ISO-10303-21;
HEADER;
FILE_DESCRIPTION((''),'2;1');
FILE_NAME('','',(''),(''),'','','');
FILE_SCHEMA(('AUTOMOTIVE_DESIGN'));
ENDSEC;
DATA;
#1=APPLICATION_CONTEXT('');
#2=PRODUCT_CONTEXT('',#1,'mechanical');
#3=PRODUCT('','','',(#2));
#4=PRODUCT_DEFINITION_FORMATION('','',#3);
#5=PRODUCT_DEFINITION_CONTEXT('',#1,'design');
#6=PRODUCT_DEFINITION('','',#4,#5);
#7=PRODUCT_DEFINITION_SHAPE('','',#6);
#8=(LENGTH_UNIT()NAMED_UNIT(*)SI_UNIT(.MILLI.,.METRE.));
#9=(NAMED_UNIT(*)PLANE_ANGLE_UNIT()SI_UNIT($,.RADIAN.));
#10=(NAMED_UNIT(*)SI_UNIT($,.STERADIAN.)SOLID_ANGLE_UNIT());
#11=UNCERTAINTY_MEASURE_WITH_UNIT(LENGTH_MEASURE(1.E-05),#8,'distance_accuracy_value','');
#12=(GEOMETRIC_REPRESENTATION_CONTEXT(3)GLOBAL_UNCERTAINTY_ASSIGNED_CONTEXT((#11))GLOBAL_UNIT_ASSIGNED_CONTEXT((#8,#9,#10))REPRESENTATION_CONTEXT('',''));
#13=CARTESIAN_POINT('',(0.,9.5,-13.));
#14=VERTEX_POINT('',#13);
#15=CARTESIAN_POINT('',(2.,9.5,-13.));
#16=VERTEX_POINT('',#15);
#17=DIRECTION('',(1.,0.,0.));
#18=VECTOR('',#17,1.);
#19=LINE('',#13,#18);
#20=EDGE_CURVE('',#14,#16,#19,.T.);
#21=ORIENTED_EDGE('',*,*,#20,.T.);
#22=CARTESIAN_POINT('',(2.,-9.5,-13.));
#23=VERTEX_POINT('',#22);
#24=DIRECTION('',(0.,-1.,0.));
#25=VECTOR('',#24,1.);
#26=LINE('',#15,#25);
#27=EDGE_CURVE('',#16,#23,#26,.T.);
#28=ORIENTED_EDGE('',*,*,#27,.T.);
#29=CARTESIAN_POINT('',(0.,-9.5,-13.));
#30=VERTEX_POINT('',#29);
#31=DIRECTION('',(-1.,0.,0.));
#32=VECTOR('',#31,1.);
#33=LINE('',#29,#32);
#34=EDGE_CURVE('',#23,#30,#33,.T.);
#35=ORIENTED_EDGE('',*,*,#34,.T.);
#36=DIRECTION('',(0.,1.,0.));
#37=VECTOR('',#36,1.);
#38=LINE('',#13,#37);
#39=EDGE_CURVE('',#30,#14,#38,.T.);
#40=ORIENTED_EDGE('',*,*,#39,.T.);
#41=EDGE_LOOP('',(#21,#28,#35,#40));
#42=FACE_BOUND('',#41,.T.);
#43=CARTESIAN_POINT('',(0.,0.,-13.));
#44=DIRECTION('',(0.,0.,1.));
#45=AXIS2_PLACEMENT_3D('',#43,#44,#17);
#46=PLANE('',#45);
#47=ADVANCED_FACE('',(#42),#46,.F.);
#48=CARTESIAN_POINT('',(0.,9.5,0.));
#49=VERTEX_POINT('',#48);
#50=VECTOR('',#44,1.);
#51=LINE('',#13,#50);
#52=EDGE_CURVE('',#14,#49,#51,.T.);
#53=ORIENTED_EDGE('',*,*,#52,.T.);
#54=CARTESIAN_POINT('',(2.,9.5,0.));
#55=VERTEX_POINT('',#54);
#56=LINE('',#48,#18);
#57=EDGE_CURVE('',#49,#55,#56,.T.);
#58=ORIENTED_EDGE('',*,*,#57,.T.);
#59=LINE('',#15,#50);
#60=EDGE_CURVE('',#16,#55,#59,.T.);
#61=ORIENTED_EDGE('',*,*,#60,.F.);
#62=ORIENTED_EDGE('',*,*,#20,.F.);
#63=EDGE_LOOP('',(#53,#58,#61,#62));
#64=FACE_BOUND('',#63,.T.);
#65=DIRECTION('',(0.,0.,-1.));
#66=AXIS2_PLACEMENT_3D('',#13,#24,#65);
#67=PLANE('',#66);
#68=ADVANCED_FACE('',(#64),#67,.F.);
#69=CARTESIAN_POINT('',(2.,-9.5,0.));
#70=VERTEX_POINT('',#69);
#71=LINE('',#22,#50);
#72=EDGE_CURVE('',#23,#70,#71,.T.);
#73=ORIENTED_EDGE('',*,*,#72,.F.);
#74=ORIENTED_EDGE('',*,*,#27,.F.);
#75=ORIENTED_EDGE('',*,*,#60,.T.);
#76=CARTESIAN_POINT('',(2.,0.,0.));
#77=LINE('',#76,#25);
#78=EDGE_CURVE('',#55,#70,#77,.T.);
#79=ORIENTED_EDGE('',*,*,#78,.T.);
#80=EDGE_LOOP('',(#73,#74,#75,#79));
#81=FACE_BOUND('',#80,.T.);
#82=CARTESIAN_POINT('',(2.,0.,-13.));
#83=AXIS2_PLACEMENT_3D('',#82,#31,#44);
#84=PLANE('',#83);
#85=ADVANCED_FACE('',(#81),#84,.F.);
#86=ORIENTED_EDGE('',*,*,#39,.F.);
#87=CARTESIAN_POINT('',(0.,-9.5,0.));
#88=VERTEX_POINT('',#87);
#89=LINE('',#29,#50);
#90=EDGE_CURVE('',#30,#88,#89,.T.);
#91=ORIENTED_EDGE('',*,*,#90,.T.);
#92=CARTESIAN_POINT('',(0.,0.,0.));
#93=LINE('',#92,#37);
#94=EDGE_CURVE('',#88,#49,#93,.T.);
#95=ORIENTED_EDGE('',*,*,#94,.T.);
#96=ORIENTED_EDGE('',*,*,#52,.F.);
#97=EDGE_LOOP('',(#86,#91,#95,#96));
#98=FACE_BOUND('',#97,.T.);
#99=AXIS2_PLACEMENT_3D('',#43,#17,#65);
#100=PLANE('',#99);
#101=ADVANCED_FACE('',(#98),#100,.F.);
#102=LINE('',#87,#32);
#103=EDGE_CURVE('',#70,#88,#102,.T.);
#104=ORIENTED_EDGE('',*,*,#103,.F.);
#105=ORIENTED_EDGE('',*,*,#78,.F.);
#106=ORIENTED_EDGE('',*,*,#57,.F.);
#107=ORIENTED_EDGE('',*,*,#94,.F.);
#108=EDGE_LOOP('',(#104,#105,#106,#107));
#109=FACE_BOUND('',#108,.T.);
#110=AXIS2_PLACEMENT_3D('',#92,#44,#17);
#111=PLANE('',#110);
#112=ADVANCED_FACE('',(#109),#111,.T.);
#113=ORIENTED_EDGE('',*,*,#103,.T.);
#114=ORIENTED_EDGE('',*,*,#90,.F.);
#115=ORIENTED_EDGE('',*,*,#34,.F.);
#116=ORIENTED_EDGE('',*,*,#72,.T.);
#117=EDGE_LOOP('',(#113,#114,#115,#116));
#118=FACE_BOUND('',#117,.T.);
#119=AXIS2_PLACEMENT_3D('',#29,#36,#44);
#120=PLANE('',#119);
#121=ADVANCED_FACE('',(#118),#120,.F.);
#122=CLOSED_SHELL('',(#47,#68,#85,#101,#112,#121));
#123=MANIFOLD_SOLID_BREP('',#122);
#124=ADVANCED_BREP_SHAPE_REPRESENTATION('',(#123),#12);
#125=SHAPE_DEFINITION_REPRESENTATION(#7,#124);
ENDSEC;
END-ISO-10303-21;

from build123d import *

# Parameters (mm, degrees)
BOSS_EXTRUDE1_DEPTH = 13


with BuildPart() as part:
    # Sketch1 → Boss-Extrude1 (new body)
    with BuildSketch(Plane(origin=(0, 0, 0), x_dir=(1, 0, 0), z_dir=(0, 0, -1))):
        Polygon((0, -9.5), (2, -9.5), (2, 0), (2, 9.5), (0, 9.5), (0, 0), align=None)
    extrude(amount=BOSS_EXTRUDE1_DEPTH)


solid = part.part
